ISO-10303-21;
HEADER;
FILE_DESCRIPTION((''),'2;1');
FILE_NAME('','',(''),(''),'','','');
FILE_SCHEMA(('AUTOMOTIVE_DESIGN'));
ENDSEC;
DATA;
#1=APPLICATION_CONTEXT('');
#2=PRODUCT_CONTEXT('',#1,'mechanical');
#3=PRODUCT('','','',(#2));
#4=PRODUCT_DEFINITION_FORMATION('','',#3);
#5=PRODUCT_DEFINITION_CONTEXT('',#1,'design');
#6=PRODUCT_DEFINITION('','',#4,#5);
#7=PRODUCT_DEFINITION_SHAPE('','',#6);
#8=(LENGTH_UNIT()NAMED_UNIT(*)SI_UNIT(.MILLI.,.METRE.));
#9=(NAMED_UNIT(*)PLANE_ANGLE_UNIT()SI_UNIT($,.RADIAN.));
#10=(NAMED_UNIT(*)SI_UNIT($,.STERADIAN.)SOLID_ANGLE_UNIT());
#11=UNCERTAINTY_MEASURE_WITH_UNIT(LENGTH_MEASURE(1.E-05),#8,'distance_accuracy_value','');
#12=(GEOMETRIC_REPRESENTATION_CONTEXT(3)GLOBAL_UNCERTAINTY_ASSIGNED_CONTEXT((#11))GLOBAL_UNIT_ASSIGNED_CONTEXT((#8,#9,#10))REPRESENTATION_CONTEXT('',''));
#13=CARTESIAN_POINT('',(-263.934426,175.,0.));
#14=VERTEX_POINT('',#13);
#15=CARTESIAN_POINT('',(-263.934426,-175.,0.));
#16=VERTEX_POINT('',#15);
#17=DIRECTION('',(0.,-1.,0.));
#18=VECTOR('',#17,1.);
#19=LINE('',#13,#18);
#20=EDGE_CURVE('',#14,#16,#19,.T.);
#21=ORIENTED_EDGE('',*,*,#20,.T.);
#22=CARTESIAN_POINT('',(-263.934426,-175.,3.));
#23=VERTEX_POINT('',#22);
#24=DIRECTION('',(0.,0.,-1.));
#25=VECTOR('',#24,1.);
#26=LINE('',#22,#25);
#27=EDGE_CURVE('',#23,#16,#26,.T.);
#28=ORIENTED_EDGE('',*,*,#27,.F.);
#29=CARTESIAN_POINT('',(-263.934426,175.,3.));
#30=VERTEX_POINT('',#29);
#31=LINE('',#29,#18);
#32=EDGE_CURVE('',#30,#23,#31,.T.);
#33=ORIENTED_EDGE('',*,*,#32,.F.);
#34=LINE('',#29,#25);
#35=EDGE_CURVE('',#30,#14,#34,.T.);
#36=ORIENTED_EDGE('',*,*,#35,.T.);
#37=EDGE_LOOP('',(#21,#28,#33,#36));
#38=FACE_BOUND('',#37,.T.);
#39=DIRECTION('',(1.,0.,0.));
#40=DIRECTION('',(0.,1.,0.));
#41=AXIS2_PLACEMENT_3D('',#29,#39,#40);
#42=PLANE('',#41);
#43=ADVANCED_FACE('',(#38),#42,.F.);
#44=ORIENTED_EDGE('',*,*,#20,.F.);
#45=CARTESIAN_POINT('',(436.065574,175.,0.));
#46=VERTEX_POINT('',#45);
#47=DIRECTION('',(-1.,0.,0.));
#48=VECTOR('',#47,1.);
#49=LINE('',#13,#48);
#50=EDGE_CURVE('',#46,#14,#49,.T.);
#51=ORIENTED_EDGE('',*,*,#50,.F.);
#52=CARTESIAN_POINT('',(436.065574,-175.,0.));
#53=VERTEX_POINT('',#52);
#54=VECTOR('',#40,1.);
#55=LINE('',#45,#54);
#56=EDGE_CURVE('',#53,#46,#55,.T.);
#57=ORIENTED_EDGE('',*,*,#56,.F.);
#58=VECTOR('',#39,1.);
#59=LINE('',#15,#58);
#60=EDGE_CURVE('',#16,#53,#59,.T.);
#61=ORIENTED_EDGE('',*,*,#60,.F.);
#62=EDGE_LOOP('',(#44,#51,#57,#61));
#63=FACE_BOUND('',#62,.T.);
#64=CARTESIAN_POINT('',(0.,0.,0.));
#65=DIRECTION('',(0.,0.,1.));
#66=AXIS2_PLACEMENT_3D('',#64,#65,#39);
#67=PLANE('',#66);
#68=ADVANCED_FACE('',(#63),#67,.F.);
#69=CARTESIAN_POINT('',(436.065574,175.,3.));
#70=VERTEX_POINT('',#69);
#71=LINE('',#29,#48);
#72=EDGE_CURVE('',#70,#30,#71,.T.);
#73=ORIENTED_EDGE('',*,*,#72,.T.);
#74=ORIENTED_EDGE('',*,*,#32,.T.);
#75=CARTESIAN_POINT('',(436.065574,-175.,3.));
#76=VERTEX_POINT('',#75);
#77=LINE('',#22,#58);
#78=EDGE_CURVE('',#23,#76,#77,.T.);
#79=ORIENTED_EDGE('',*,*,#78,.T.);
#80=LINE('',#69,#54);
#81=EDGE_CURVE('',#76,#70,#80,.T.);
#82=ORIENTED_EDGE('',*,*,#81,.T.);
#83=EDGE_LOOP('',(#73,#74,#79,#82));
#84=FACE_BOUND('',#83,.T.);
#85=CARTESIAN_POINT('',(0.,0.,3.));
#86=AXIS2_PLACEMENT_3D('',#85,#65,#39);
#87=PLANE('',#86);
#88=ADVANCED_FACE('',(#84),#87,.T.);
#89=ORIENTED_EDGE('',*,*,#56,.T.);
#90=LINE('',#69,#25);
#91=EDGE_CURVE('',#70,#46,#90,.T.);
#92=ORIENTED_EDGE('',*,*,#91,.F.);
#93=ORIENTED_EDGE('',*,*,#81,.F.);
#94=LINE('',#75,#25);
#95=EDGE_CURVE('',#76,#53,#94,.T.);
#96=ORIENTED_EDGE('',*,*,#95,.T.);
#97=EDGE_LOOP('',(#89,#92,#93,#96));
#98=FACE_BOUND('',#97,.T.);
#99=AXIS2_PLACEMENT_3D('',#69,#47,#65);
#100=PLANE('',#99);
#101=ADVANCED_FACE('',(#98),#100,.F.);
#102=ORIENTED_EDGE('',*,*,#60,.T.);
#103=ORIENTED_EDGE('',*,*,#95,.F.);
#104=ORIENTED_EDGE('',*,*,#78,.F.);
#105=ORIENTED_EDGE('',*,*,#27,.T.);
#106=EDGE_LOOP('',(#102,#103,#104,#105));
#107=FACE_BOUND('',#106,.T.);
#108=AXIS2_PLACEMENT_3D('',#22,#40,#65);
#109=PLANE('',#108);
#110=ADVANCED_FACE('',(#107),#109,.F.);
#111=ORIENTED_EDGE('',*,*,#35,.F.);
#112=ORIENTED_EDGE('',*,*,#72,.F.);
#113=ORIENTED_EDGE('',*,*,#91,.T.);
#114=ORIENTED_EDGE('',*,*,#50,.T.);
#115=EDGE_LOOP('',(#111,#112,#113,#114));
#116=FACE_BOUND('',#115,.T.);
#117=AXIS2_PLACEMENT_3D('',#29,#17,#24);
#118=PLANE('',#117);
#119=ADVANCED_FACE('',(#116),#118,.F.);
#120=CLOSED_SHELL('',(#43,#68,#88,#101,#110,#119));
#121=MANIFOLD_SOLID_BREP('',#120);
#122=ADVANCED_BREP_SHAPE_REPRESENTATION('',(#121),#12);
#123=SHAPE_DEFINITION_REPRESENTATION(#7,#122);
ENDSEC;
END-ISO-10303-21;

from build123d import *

# Parameters (mm, degrees)
IZIM1_W                     = 700
IZIM1_H                     = 350
Y_KSEKLIK_EKSTR_ZYON1_DEPTH = 3


with BuildPart() as part:
    # Çizim1 → Yükseklik-Ekstrüzyon1 (new body)
    with BuildSketch(Plane.XY):
        with Locations((86.06557377, 0)):
            Rectangle(IZIM1_W, IZIM1_H)
    extrude(amount=Y_KSEKLIK_EKSTR_ZYON1_DEPTH)


solid = part.part
